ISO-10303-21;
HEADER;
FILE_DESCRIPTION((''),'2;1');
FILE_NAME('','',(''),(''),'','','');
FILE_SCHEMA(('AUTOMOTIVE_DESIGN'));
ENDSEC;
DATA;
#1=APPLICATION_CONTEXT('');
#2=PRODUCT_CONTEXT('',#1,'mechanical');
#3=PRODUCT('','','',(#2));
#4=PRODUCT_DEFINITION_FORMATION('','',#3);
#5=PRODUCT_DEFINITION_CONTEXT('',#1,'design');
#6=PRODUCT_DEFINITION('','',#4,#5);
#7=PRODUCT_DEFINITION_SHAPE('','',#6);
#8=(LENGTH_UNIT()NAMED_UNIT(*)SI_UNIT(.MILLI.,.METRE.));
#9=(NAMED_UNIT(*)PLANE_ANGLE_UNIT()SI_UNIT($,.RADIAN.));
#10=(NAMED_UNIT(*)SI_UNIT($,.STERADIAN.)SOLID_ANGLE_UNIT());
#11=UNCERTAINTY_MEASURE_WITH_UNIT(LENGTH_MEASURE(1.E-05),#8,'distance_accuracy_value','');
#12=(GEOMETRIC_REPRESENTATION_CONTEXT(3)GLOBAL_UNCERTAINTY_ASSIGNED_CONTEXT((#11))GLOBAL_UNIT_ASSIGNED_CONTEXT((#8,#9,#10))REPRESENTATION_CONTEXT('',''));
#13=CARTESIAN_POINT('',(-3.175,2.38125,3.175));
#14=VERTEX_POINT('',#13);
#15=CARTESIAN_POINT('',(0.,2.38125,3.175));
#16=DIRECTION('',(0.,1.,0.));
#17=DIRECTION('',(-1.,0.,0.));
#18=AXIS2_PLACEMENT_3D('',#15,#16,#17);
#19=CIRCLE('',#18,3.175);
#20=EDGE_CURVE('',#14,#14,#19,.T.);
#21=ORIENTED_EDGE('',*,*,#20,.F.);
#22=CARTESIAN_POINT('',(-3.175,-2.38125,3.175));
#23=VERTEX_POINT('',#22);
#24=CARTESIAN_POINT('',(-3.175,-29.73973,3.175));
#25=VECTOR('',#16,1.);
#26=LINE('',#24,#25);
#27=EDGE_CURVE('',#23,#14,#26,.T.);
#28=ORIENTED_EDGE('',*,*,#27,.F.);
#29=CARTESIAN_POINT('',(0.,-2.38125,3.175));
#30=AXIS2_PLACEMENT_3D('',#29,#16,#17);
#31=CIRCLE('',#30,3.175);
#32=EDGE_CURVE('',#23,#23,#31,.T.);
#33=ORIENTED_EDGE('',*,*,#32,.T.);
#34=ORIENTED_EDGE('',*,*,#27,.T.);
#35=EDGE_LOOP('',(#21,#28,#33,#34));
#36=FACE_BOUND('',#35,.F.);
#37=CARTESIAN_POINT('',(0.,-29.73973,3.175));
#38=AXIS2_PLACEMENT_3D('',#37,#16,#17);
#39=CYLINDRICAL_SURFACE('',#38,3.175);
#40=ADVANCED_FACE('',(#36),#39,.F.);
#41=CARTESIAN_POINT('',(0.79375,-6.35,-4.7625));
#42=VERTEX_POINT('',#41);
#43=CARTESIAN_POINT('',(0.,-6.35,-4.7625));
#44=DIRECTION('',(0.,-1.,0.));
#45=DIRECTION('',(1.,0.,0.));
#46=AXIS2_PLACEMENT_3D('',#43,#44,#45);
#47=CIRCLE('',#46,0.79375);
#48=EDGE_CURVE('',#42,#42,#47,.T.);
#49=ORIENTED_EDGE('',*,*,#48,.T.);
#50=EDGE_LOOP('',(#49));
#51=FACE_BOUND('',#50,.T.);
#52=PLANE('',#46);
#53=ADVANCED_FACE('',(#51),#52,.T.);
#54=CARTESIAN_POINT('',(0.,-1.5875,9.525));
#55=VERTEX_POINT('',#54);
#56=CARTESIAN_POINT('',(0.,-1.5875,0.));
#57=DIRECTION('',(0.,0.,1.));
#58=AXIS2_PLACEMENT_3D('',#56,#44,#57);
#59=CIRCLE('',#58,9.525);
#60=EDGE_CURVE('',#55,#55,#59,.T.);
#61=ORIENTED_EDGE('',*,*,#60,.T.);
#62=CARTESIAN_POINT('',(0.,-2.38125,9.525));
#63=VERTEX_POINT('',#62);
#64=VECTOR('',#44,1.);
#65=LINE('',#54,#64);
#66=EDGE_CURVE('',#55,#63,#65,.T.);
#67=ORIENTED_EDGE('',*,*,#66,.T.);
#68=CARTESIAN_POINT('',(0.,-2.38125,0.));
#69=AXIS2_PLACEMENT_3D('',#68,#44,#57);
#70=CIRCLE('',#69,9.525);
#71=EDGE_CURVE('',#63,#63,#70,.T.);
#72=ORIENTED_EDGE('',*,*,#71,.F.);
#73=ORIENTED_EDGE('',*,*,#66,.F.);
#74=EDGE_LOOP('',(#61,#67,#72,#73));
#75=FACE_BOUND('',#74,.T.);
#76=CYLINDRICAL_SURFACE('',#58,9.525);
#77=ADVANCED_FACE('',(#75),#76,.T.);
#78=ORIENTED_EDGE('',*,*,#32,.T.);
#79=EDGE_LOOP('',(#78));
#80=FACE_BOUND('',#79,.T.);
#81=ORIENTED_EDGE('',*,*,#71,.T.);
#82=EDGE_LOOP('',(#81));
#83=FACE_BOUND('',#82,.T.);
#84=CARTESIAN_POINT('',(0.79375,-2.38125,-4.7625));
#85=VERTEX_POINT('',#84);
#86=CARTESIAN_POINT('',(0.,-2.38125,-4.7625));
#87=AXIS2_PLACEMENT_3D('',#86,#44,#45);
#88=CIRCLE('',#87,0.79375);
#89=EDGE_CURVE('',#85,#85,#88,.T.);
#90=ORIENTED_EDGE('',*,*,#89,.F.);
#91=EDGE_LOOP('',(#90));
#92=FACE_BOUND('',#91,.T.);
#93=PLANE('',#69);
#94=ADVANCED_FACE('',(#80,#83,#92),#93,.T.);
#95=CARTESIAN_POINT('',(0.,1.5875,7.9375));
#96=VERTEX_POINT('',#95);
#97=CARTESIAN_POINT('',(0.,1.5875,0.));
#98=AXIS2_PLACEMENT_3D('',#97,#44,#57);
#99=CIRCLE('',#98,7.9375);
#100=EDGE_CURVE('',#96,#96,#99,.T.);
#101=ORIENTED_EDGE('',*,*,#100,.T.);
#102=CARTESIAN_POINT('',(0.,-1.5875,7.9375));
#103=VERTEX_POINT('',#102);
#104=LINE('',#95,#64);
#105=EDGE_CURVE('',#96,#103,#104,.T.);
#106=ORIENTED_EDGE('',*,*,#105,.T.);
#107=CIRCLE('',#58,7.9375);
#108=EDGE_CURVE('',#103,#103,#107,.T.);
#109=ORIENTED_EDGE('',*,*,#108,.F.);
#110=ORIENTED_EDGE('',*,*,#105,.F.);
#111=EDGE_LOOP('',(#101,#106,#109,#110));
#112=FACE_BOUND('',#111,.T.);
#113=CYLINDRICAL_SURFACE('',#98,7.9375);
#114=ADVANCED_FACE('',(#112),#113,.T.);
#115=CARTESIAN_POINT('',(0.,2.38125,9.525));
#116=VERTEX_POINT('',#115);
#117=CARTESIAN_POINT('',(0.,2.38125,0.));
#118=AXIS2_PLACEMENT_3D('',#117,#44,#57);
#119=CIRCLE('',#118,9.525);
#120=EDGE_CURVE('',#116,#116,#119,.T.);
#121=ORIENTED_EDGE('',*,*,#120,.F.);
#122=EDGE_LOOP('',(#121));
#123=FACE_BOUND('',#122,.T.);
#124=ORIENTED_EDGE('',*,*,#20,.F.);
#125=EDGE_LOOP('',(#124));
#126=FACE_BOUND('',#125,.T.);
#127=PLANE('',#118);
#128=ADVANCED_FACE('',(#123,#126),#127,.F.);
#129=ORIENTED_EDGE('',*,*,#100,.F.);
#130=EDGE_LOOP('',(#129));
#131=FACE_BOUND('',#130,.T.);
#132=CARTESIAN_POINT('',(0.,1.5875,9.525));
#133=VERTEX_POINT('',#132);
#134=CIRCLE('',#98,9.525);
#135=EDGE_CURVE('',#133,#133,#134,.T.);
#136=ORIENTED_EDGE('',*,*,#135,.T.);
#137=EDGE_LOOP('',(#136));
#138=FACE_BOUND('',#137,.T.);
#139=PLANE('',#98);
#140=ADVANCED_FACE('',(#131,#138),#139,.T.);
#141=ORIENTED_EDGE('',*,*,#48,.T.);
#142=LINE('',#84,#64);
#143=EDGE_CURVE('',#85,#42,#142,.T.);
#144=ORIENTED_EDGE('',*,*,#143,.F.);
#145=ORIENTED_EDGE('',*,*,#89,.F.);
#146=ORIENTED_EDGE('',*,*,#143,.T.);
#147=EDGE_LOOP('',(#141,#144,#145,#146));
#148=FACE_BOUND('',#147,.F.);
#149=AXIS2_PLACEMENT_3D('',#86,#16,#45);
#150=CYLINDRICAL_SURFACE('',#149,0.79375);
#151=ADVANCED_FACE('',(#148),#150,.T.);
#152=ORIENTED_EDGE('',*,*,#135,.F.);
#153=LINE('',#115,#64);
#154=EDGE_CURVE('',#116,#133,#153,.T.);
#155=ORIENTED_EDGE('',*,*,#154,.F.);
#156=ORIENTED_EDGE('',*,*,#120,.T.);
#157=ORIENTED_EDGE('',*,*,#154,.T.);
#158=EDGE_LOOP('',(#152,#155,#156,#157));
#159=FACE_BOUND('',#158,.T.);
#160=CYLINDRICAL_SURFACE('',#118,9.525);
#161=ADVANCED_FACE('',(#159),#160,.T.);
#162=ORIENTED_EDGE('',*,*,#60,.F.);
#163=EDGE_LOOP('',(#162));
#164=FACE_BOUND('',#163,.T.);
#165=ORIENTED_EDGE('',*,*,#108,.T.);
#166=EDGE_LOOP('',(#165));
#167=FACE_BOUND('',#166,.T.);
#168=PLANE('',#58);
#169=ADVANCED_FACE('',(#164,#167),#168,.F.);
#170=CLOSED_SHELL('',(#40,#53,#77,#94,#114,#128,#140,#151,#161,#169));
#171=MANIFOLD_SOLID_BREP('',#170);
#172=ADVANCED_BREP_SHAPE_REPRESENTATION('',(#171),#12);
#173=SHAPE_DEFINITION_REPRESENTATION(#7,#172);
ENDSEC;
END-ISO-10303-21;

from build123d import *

# Parameters (mm, degrees)
F3_D     = 6.35
F4_R     = 0.79375
F5_DEPTH = 3.96875


with BuildPart() as f1:
    # F0 (on Right) → F1 (revolve)
    with BuildSketch(Plane.YZ):
        Polygon((-2.38125, 9.525), (-2.38125, 0), (0, 0), (2.38125, 0), (2.38125, 9.525), (1.5875, 9.525), (1.5875, 7.9375), (-1.5875, 7.9375), (-1.5875, 9.525), align=None)
    revolve(axis=Axis((0, 1.190625, 0), (0, -1, 0)))

    # F3 (through all)
    with Locations(Plane.XZ.offset(2.38125)):
        with Locations((0, 3.175)):
            Hole(F3_D / 2)

    # F4 (on face) → F5 (join)
    with BuildSketch(Plane.XZ.offset(2.38125)):
        with Locations((0, -4.7625)):
            Circle(F4_R)
    extrude(amount=F5_DEPTH)


solid = f1.part
